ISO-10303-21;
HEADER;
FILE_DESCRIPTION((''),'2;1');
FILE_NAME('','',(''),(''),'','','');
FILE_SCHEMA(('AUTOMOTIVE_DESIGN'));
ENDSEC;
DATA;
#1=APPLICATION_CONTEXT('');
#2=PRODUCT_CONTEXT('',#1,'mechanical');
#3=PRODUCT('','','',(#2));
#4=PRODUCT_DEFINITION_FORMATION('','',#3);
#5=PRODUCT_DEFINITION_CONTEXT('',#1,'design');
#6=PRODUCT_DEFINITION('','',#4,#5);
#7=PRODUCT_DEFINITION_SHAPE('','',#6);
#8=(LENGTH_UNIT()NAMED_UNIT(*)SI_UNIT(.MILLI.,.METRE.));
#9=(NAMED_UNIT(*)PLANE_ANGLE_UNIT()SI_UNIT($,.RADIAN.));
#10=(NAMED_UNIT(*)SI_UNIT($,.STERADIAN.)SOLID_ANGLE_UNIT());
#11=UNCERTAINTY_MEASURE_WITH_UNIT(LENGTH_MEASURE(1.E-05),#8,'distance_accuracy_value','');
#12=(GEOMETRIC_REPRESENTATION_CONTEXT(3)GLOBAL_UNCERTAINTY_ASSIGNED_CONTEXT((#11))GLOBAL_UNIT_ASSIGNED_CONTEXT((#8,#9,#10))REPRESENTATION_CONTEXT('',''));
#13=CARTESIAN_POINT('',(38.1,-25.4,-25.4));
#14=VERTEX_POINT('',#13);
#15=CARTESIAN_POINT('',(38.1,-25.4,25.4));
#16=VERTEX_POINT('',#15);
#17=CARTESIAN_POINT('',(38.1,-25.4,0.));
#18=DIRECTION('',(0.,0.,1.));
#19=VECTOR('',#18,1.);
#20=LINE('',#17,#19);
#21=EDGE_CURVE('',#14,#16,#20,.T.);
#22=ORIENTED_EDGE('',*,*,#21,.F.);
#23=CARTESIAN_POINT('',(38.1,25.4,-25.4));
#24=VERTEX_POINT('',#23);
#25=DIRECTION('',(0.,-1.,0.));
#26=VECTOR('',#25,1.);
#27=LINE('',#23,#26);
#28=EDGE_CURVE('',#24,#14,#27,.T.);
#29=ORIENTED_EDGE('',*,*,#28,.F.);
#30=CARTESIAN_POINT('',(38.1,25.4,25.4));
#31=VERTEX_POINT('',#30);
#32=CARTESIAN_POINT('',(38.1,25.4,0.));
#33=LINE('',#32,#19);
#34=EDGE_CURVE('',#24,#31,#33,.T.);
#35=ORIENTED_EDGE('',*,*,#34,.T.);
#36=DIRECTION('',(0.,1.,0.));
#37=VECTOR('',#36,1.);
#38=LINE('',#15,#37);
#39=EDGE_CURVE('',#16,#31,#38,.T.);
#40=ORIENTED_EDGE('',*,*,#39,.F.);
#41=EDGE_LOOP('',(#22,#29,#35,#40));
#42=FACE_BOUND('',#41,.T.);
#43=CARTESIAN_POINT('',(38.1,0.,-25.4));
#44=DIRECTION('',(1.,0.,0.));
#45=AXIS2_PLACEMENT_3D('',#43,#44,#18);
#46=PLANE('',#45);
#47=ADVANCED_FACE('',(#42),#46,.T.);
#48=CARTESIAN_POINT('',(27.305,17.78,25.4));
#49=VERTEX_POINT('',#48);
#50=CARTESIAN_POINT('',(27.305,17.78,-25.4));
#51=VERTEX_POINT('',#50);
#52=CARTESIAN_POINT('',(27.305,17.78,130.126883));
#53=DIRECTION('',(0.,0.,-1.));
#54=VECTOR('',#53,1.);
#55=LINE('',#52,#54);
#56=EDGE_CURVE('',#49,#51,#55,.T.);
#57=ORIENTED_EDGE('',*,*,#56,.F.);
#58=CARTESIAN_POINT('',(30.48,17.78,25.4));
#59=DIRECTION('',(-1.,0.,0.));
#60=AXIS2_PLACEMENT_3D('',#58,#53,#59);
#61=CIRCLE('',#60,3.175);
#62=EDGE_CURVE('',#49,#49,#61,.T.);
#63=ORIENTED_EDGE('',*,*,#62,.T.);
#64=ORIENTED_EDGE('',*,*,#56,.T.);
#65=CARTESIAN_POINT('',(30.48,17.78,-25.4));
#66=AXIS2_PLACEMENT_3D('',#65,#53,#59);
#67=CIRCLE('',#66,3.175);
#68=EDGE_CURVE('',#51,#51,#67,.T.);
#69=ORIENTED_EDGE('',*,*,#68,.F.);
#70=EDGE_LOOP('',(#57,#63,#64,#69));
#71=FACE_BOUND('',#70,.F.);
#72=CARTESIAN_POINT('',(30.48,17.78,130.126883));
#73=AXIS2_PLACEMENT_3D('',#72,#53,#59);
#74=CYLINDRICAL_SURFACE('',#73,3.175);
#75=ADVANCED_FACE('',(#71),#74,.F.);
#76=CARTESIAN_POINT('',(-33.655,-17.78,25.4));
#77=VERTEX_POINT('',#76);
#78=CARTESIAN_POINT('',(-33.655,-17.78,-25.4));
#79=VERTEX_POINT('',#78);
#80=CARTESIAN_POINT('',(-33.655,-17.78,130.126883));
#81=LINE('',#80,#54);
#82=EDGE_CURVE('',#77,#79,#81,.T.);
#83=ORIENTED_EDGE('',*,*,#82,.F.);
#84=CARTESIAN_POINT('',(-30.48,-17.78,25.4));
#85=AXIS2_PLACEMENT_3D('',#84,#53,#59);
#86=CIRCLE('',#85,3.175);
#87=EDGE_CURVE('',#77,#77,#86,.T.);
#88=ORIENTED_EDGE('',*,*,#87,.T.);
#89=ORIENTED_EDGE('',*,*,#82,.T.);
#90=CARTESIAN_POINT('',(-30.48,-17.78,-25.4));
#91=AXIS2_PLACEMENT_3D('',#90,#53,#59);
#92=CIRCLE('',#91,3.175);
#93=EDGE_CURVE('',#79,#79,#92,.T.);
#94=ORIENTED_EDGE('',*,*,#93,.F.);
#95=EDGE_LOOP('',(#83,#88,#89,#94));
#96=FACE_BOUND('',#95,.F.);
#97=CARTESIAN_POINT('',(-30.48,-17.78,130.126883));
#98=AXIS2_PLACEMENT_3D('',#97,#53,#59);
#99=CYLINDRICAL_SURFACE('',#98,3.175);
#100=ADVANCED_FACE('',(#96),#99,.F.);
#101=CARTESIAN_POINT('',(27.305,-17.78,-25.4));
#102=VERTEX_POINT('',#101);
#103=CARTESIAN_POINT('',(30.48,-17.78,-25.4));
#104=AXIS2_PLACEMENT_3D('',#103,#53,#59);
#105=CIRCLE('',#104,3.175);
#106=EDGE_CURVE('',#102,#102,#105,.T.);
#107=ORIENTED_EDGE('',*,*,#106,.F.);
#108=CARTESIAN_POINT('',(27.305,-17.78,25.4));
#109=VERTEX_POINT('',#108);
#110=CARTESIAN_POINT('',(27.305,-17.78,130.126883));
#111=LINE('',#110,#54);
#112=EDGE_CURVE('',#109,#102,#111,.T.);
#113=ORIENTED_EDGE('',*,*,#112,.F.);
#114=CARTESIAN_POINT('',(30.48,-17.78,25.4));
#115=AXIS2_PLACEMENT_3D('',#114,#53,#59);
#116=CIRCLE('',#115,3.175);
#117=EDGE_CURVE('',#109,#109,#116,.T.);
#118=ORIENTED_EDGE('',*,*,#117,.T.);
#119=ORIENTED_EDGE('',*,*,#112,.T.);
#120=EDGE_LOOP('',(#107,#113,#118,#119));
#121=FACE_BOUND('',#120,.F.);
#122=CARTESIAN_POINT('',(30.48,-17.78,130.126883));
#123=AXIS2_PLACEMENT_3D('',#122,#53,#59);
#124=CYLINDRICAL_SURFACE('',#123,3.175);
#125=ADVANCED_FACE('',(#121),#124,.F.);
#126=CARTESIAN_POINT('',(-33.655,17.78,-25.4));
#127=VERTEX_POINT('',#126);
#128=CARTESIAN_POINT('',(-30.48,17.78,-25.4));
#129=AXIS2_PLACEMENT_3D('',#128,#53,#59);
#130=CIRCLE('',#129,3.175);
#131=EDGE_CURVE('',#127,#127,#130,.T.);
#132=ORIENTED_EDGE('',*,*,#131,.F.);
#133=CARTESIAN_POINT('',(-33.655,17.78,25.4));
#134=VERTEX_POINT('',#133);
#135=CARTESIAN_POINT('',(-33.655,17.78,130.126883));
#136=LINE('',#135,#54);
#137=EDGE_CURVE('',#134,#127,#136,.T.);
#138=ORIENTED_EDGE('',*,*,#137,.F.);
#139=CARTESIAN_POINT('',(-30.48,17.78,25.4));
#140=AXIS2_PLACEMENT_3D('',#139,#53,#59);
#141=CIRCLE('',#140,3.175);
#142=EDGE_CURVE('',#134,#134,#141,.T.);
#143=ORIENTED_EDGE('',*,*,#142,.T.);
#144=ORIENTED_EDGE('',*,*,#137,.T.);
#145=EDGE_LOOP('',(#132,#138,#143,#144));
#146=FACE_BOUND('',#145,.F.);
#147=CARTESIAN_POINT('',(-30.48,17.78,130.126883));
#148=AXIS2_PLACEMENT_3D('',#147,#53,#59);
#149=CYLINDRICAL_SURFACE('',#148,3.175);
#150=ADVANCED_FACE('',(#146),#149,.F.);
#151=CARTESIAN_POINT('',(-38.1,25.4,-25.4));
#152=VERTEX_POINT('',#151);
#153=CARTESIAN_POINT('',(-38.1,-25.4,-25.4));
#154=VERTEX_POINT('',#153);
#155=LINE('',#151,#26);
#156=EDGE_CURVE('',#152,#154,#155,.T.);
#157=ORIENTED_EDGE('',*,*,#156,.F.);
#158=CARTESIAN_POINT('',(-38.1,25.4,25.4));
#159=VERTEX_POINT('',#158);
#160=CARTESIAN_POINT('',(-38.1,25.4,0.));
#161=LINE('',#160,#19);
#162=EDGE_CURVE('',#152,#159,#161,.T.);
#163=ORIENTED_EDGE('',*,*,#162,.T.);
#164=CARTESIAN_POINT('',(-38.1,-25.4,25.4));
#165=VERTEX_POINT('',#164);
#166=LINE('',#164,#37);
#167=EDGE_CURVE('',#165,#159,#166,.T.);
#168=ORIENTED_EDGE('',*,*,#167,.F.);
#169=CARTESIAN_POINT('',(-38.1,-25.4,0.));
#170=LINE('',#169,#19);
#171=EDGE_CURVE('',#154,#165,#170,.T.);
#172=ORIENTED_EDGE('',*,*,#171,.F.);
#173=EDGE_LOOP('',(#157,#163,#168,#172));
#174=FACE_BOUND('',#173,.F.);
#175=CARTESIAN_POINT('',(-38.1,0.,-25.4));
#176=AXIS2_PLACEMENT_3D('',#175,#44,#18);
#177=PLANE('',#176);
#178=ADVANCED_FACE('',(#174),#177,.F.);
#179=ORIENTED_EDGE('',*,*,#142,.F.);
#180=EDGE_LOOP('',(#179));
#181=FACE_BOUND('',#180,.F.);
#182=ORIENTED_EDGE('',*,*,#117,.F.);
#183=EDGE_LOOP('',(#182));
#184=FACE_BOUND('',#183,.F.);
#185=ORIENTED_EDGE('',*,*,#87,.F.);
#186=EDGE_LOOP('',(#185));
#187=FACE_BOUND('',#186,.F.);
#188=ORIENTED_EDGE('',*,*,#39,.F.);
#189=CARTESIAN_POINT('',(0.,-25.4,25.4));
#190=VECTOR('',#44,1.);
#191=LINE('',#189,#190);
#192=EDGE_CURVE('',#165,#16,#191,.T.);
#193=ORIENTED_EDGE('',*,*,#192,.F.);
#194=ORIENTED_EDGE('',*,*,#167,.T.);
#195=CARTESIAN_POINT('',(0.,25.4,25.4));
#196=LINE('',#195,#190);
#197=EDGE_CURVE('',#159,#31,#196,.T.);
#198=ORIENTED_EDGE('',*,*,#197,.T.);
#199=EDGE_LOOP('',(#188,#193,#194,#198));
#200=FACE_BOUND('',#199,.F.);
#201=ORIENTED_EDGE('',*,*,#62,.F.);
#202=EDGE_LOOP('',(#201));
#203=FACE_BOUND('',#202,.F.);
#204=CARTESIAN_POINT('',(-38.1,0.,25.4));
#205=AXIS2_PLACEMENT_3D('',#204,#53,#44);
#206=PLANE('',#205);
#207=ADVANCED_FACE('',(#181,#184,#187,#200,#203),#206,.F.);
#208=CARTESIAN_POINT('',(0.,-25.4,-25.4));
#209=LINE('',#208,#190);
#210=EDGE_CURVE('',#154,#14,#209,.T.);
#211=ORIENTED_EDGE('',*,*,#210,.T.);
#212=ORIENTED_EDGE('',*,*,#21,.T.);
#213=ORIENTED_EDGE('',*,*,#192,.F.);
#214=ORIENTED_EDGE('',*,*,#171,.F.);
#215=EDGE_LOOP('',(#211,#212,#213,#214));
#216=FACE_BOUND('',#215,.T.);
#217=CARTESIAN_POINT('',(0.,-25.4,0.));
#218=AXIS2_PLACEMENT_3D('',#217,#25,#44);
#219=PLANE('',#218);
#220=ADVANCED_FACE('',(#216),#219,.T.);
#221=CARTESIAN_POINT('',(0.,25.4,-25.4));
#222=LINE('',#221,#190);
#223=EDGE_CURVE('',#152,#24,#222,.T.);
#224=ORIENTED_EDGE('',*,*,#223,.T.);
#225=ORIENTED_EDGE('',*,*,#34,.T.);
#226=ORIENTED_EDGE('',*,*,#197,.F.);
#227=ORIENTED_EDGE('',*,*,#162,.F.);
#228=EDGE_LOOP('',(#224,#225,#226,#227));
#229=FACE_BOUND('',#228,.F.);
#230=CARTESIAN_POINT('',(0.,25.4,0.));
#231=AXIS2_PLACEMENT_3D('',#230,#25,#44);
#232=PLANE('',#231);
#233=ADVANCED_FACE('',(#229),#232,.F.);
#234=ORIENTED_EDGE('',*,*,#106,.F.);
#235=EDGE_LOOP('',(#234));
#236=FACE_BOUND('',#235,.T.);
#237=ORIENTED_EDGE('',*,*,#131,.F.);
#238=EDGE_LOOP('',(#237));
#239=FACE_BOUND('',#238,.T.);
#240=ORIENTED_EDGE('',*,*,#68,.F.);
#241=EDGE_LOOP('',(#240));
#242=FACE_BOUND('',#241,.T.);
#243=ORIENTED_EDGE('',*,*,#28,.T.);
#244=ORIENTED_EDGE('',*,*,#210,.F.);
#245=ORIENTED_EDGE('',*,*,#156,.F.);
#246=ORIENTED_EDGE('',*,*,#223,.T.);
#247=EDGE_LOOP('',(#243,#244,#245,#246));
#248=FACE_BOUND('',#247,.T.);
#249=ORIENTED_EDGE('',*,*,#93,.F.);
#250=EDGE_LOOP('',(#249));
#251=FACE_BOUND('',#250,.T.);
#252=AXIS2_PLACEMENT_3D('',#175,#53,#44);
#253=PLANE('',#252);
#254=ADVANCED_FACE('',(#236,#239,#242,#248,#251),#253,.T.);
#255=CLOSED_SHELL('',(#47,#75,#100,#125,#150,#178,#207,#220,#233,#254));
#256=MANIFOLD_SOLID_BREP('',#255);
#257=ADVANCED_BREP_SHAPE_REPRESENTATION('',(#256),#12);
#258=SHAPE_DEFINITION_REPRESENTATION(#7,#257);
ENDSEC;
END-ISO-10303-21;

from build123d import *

# Parameters (mm, degrees)
F0_W     = 76.2
F0_H     = 50.8
F1_DEPTH = 25.4
F3_D     = 6.35


with BuildPart() as f1:
    # F0 (on Front) → F1 (new body, symmetric)
    with BuildSketch(Plane.XZ):
        Rectangle(F0_W, F0_H)
    extrude(amount=F1_DEPTH, both=True)

    # F3 (through all)
    with Locations(Plane.XY.offset(25.4)):
        with Locations((30.48, -17.78), (-30.48, -17.78), (30.48, 17.78), (-30.48, 17.78)):
            Hole(F3_D / 2)


solid = f1.part
